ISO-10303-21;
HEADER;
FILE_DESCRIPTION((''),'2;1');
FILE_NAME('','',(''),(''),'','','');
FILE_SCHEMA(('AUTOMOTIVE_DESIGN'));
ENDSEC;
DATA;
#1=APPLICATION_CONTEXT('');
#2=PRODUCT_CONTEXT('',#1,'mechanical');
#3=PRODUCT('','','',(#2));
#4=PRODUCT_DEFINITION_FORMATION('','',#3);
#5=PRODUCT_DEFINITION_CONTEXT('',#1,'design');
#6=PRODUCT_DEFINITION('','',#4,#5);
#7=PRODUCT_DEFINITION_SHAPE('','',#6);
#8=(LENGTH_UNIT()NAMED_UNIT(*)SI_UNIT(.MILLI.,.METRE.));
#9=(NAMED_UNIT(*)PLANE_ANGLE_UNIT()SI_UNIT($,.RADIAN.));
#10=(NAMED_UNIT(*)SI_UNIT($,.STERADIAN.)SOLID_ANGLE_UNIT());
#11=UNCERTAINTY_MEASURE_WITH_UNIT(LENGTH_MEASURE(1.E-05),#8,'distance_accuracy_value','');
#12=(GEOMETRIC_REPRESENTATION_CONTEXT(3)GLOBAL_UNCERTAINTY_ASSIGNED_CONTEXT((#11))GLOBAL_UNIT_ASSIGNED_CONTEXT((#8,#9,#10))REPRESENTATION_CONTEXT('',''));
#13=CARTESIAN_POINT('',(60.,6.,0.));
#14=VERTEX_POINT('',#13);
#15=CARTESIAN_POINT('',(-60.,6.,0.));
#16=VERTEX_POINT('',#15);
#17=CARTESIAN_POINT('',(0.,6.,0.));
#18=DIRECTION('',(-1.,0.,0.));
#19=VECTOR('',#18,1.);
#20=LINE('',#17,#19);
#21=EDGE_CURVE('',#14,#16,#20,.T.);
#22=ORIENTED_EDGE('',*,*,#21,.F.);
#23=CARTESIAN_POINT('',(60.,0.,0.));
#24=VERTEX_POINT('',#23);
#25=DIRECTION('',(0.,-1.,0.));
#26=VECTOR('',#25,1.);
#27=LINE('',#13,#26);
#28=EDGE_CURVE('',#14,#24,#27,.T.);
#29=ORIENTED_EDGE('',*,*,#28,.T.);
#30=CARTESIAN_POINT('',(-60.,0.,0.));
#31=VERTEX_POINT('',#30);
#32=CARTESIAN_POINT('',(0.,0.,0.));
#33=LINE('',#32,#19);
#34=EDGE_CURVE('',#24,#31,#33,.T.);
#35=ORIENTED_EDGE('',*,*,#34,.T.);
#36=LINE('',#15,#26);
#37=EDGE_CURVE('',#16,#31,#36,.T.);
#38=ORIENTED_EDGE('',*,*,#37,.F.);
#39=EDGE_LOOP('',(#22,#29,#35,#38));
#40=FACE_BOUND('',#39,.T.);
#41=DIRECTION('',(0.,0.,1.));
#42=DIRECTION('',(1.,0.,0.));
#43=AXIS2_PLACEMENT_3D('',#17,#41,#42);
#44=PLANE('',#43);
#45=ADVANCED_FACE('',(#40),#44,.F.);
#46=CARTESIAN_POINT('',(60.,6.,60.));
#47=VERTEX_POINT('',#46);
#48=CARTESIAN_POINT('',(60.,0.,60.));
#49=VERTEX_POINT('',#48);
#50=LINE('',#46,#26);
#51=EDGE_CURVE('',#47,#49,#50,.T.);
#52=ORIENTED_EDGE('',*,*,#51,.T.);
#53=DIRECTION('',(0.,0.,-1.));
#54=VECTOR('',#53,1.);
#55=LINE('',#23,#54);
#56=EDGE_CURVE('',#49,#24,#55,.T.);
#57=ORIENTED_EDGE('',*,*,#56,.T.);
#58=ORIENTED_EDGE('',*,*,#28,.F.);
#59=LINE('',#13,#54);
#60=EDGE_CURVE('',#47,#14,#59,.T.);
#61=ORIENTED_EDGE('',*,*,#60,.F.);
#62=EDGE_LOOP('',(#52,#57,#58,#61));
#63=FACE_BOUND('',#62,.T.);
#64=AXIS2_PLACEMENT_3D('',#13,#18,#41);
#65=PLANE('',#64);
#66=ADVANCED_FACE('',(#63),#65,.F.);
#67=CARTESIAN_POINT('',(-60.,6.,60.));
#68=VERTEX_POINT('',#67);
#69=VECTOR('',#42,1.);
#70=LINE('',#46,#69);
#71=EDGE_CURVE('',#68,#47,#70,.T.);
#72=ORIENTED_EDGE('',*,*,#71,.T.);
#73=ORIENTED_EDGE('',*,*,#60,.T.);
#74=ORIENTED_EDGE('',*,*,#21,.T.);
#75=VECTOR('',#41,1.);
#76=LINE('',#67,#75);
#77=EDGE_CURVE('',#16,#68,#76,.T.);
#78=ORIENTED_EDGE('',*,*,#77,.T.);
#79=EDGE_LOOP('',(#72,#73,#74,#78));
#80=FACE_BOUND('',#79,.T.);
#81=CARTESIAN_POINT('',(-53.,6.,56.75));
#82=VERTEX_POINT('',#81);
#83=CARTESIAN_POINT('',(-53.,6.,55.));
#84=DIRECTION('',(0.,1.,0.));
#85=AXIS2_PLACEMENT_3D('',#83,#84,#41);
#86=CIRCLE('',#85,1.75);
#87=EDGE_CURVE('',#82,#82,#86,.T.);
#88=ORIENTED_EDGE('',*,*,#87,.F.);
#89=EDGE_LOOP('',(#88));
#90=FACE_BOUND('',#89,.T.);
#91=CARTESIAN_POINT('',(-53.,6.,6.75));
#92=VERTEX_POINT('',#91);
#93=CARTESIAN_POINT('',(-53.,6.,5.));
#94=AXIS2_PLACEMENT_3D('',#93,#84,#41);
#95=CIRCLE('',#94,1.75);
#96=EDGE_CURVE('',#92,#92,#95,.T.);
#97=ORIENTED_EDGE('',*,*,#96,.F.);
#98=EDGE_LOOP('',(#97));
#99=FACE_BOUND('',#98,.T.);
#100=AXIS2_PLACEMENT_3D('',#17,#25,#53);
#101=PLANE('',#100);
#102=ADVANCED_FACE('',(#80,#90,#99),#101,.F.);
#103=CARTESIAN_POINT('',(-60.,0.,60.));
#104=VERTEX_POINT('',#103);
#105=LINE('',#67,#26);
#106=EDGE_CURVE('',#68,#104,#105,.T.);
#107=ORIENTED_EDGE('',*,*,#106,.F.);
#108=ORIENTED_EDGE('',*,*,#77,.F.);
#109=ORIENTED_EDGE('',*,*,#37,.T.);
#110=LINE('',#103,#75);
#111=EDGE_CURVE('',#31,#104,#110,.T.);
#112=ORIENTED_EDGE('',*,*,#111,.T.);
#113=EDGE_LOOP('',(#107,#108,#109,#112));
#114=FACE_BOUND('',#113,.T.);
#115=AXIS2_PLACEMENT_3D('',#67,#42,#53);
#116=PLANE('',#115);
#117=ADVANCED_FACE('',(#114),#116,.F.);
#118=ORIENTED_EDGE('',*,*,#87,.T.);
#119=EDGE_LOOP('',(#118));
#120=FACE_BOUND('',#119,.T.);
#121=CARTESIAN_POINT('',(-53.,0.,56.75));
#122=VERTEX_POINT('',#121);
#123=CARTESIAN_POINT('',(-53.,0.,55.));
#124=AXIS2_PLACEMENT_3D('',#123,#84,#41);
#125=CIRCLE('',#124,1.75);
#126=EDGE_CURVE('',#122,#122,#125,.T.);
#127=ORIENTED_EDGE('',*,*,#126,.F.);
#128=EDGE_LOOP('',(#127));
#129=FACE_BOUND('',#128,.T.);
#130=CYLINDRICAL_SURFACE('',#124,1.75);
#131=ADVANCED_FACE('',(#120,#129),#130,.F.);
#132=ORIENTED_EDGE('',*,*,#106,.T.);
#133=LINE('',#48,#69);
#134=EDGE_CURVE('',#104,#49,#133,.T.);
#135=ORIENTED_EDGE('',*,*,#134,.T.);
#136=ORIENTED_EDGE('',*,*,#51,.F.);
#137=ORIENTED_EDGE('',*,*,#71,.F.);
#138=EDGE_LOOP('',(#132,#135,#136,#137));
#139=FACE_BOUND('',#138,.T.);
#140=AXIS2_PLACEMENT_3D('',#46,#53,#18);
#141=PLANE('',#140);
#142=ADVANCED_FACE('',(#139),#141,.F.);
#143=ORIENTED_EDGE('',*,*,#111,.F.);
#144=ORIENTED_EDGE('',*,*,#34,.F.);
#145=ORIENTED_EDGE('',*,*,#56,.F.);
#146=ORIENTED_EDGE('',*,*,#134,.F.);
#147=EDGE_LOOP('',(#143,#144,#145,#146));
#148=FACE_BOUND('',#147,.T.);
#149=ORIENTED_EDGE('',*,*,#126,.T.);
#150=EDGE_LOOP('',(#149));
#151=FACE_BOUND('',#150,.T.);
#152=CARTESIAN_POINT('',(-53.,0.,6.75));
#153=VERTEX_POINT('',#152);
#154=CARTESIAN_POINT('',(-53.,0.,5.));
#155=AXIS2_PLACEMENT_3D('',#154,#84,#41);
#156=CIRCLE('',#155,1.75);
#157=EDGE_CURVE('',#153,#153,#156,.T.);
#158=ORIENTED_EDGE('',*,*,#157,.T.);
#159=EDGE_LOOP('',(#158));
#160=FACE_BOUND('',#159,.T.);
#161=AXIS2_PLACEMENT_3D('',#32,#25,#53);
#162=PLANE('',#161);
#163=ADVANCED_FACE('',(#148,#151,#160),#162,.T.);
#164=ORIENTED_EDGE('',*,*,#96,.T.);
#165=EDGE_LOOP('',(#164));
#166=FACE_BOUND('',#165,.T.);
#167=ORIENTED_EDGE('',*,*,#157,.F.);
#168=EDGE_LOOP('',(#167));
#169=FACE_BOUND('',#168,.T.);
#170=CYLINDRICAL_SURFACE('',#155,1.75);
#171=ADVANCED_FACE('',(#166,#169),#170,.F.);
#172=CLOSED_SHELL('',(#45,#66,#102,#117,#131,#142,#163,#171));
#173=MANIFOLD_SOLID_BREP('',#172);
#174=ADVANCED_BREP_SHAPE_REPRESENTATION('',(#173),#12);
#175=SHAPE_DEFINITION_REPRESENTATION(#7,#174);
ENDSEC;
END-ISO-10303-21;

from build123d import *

# Parameters (mm, degrees)
EXTRUDE_1_DEPTH     = 6
CUT_EXTRUDE_1_DEPTH = 6


with BuildPart() as part:
    # 草图1 → 凸台-拉伸1 (new body)
    with BuildSketch(Plane(origin=(0, 0, 0), x_dir=(1, 0, 0), z_dir=(0, 1, 0))):
        Polygon((0, 0), (-60, 0), (-60, -60), (60, -60), (60, 0), align=None)
    extrude(amount=EXTRUDE_1_DEPTH)

    # 草图2 → 切除-拉伸1 (cut)
    with BuildSketch(Plane(origin=(0, 6, 0), x_dir=(1, 0, 0), z_dir=(0, 1, 0))):
        with BuildLine():
            ThreePointArc((-51.25, -5), (-51.762563133, -3.762563133), (-53, -3.25))
            Line((-53, -3.25), (-53, -5))
            Line((-53, -5), (-53, -6.75))
            ThreePointArc((-53, -6.75), (-51.762563133, -6.237436867), (-51.25, -5))
        make_face()
        with BuildLine():
            Line((-53, -5), (-53, -3.25))
            ThreePointArc((-53, -3.25), (-54.75, -5), (-53, -6.75))
            Line((-53, -6.75), (-53, -5))
        make_face()
        with BuildLine():
            ThreePointArc((-51.25, -55), (-51.762563133, -53.762563133), (-53, -53.25))
            Line((-53, -53.25), (-53, -55))
            Line((-53, -55), (-53, -56.75))
            ThreePointArc((-53, -56.75), (-51.762563133, -56.237436867), (-51.25, -55))
        make_face()
        with BuildLine():
            Line((-53, -55), (-53, -53.25))
            ThreePointArc((-53, -53.25), (-54.75, -55), (-53, -56.75))
            Line((-53, -56.75), (-53, -55))
        make_face()
    extrude(amount=-CUT_EXTRUDE_1_DEPTH, mode=Mode.SUBTRACT)


solid = part.part
